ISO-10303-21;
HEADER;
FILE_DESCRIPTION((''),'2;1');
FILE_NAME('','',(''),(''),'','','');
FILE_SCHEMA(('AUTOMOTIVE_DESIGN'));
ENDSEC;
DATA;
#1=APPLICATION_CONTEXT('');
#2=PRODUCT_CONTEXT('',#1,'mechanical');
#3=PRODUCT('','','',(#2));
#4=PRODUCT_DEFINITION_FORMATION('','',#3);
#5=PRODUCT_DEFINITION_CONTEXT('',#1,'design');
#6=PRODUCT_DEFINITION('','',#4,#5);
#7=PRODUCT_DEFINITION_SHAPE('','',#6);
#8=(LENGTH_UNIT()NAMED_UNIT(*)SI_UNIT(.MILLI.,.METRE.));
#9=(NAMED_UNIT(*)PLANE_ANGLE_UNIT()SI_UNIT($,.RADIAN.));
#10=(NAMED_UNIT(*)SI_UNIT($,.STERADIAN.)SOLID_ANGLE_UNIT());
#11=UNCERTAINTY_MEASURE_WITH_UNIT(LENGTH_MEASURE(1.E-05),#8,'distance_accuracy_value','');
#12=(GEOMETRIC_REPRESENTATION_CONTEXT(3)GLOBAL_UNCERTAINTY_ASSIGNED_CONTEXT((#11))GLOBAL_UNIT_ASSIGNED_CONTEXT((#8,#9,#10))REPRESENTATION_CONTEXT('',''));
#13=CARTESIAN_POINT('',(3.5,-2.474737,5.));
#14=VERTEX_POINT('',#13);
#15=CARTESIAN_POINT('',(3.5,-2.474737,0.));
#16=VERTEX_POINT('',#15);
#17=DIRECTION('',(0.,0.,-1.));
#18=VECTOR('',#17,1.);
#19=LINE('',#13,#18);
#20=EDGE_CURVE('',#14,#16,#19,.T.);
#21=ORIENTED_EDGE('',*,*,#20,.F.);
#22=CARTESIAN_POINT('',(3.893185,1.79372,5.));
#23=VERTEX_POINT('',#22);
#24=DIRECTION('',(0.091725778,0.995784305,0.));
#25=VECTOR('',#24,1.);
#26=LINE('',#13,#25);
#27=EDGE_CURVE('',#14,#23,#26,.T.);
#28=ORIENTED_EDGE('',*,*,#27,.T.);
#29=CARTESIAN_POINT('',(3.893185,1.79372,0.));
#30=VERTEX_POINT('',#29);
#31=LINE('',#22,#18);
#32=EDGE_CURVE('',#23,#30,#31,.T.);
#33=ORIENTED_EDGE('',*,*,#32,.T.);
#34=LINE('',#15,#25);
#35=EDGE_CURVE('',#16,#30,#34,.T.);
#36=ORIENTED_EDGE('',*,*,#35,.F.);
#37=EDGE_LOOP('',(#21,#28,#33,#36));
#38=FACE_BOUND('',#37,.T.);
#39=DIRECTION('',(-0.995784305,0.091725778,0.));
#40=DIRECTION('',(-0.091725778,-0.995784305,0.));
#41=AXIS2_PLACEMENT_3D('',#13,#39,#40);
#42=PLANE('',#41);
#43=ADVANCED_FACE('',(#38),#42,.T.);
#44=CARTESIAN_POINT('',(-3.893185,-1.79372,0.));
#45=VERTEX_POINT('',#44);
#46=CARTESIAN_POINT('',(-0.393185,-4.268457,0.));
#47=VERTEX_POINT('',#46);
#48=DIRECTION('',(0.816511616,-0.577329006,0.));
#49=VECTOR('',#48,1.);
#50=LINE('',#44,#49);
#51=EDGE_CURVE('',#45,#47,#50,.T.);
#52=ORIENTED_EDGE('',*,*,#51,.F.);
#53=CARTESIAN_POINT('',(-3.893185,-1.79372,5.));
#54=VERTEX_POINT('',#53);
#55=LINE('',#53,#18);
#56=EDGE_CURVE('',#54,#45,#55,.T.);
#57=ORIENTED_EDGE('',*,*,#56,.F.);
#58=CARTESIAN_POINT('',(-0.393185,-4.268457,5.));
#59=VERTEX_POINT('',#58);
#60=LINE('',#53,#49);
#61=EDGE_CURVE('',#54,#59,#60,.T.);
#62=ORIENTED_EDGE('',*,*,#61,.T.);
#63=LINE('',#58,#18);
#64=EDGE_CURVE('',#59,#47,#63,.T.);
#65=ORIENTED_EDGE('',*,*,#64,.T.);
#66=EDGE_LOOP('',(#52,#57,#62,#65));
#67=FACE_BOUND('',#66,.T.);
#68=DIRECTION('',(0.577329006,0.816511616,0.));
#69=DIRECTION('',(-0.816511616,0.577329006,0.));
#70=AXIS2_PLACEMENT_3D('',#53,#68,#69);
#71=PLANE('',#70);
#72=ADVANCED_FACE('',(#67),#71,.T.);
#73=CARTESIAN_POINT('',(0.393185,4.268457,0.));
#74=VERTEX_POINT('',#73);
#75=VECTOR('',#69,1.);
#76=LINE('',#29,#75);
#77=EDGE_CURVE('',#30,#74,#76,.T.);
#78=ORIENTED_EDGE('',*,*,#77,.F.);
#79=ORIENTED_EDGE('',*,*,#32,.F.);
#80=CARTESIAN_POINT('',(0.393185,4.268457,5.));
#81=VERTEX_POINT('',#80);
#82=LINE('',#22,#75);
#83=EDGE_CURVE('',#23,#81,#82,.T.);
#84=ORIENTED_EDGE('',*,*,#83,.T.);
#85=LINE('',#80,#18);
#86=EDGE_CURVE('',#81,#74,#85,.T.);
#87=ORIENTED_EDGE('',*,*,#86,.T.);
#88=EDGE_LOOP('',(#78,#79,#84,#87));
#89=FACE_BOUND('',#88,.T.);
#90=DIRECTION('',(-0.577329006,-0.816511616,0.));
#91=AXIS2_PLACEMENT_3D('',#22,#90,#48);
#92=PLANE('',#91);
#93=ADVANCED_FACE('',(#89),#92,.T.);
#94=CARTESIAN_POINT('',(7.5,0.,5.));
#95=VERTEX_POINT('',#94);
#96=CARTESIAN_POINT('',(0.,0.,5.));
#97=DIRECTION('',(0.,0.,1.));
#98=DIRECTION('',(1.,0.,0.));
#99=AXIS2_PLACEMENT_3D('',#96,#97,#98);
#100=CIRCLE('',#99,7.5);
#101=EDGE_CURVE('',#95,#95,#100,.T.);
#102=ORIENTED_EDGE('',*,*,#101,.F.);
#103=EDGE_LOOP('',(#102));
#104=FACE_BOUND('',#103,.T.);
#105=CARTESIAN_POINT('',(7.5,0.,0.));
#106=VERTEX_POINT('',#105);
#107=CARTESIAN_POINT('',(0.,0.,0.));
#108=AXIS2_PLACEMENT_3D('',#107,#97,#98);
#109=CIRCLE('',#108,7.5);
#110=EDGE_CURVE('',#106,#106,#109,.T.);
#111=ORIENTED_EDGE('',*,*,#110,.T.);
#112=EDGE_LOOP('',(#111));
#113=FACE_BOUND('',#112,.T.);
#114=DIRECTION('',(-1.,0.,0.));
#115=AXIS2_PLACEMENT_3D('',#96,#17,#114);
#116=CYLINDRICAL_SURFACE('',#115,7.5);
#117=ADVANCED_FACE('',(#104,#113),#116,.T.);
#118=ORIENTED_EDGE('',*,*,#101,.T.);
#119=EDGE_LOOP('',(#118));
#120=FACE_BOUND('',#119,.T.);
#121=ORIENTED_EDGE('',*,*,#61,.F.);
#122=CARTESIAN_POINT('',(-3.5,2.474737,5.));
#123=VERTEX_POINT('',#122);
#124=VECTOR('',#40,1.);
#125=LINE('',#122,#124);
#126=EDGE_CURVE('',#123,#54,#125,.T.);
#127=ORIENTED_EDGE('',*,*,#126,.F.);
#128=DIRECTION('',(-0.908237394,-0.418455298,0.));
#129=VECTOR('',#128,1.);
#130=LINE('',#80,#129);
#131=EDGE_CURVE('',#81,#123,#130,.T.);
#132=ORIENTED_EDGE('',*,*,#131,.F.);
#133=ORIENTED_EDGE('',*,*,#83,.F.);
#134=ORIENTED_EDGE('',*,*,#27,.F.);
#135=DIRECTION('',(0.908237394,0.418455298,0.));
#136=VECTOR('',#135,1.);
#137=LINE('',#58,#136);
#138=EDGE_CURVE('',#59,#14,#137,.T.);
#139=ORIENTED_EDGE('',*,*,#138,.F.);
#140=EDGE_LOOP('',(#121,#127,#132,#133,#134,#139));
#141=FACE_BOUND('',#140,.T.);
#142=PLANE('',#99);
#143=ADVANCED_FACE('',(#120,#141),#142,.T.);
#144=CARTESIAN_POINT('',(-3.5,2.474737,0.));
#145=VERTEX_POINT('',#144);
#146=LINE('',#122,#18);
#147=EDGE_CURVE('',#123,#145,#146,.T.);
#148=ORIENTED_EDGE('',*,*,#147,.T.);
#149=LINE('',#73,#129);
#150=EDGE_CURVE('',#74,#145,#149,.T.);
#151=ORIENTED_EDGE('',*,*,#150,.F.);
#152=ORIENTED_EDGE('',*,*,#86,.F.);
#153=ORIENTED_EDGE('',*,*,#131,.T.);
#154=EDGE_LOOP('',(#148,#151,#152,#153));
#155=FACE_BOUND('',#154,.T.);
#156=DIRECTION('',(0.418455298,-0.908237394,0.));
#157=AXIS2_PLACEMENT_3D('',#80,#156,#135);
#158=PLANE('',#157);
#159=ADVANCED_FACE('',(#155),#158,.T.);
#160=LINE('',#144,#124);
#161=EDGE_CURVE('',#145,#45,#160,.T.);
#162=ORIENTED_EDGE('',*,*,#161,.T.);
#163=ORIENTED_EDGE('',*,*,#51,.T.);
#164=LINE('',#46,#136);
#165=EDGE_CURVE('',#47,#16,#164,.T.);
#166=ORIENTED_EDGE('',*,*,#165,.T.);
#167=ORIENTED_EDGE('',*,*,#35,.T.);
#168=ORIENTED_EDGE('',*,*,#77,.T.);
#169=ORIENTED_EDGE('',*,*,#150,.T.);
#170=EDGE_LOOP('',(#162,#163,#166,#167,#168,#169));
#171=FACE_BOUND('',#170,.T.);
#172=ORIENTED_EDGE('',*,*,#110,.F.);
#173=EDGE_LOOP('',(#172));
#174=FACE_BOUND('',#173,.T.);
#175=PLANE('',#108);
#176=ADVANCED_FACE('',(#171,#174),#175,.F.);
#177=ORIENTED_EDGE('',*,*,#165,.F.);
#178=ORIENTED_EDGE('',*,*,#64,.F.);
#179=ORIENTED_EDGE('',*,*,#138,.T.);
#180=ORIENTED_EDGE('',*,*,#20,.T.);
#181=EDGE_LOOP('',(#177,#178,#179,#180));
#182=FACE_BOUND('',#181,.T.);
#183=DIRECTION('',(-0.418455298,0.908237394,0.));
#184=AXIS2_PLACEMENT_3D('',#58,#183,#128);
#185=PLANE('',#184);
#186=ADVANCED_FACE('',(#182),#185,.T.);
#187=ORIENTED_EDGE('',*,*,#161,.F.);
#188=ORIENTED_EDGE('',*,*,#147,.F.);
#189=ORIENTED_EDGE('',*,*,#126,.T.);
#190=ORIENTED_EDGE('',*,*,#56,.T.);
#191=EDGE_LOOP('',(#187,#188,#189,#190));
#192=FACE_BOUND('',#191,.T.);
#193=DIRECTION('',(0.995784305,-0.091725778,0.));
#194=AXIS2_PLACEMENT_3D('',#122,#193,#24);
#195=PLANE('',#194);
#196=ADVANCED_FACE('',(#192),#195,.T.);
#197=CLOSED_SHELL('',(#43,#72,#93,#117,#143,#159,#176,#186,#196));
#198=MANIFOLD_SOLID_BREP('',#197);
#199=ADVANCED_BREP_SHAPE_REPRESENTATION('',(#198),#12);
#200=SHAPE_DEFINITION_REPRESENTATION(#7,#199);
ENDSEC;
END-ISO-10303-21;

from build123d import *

# Parameters (mm, degrees)
ESQUISSE1_R        = 7.5
BOSS_EXTRU_1_DEPTH = 5


with BuildPart() as part:
    # Esquisse1 → Boss.-Extru.1 (new body)
    with BuildSketch(Plane.XY):
        Circle(ESQUISSE1_R)
        Polygon((0.393185127, 4.268457423), (-3.5, 2.47473702), (-3.893185127, -1.793720403), (-0.393185127, -4.268457423), (3.5, -2.47473702), (3.893185127, 1.793720403), align=None, mode=Mode.SUBTRACT)
    extrude(amount=BOSS_EXTRU_1_DEPTH)


solid = part.part
